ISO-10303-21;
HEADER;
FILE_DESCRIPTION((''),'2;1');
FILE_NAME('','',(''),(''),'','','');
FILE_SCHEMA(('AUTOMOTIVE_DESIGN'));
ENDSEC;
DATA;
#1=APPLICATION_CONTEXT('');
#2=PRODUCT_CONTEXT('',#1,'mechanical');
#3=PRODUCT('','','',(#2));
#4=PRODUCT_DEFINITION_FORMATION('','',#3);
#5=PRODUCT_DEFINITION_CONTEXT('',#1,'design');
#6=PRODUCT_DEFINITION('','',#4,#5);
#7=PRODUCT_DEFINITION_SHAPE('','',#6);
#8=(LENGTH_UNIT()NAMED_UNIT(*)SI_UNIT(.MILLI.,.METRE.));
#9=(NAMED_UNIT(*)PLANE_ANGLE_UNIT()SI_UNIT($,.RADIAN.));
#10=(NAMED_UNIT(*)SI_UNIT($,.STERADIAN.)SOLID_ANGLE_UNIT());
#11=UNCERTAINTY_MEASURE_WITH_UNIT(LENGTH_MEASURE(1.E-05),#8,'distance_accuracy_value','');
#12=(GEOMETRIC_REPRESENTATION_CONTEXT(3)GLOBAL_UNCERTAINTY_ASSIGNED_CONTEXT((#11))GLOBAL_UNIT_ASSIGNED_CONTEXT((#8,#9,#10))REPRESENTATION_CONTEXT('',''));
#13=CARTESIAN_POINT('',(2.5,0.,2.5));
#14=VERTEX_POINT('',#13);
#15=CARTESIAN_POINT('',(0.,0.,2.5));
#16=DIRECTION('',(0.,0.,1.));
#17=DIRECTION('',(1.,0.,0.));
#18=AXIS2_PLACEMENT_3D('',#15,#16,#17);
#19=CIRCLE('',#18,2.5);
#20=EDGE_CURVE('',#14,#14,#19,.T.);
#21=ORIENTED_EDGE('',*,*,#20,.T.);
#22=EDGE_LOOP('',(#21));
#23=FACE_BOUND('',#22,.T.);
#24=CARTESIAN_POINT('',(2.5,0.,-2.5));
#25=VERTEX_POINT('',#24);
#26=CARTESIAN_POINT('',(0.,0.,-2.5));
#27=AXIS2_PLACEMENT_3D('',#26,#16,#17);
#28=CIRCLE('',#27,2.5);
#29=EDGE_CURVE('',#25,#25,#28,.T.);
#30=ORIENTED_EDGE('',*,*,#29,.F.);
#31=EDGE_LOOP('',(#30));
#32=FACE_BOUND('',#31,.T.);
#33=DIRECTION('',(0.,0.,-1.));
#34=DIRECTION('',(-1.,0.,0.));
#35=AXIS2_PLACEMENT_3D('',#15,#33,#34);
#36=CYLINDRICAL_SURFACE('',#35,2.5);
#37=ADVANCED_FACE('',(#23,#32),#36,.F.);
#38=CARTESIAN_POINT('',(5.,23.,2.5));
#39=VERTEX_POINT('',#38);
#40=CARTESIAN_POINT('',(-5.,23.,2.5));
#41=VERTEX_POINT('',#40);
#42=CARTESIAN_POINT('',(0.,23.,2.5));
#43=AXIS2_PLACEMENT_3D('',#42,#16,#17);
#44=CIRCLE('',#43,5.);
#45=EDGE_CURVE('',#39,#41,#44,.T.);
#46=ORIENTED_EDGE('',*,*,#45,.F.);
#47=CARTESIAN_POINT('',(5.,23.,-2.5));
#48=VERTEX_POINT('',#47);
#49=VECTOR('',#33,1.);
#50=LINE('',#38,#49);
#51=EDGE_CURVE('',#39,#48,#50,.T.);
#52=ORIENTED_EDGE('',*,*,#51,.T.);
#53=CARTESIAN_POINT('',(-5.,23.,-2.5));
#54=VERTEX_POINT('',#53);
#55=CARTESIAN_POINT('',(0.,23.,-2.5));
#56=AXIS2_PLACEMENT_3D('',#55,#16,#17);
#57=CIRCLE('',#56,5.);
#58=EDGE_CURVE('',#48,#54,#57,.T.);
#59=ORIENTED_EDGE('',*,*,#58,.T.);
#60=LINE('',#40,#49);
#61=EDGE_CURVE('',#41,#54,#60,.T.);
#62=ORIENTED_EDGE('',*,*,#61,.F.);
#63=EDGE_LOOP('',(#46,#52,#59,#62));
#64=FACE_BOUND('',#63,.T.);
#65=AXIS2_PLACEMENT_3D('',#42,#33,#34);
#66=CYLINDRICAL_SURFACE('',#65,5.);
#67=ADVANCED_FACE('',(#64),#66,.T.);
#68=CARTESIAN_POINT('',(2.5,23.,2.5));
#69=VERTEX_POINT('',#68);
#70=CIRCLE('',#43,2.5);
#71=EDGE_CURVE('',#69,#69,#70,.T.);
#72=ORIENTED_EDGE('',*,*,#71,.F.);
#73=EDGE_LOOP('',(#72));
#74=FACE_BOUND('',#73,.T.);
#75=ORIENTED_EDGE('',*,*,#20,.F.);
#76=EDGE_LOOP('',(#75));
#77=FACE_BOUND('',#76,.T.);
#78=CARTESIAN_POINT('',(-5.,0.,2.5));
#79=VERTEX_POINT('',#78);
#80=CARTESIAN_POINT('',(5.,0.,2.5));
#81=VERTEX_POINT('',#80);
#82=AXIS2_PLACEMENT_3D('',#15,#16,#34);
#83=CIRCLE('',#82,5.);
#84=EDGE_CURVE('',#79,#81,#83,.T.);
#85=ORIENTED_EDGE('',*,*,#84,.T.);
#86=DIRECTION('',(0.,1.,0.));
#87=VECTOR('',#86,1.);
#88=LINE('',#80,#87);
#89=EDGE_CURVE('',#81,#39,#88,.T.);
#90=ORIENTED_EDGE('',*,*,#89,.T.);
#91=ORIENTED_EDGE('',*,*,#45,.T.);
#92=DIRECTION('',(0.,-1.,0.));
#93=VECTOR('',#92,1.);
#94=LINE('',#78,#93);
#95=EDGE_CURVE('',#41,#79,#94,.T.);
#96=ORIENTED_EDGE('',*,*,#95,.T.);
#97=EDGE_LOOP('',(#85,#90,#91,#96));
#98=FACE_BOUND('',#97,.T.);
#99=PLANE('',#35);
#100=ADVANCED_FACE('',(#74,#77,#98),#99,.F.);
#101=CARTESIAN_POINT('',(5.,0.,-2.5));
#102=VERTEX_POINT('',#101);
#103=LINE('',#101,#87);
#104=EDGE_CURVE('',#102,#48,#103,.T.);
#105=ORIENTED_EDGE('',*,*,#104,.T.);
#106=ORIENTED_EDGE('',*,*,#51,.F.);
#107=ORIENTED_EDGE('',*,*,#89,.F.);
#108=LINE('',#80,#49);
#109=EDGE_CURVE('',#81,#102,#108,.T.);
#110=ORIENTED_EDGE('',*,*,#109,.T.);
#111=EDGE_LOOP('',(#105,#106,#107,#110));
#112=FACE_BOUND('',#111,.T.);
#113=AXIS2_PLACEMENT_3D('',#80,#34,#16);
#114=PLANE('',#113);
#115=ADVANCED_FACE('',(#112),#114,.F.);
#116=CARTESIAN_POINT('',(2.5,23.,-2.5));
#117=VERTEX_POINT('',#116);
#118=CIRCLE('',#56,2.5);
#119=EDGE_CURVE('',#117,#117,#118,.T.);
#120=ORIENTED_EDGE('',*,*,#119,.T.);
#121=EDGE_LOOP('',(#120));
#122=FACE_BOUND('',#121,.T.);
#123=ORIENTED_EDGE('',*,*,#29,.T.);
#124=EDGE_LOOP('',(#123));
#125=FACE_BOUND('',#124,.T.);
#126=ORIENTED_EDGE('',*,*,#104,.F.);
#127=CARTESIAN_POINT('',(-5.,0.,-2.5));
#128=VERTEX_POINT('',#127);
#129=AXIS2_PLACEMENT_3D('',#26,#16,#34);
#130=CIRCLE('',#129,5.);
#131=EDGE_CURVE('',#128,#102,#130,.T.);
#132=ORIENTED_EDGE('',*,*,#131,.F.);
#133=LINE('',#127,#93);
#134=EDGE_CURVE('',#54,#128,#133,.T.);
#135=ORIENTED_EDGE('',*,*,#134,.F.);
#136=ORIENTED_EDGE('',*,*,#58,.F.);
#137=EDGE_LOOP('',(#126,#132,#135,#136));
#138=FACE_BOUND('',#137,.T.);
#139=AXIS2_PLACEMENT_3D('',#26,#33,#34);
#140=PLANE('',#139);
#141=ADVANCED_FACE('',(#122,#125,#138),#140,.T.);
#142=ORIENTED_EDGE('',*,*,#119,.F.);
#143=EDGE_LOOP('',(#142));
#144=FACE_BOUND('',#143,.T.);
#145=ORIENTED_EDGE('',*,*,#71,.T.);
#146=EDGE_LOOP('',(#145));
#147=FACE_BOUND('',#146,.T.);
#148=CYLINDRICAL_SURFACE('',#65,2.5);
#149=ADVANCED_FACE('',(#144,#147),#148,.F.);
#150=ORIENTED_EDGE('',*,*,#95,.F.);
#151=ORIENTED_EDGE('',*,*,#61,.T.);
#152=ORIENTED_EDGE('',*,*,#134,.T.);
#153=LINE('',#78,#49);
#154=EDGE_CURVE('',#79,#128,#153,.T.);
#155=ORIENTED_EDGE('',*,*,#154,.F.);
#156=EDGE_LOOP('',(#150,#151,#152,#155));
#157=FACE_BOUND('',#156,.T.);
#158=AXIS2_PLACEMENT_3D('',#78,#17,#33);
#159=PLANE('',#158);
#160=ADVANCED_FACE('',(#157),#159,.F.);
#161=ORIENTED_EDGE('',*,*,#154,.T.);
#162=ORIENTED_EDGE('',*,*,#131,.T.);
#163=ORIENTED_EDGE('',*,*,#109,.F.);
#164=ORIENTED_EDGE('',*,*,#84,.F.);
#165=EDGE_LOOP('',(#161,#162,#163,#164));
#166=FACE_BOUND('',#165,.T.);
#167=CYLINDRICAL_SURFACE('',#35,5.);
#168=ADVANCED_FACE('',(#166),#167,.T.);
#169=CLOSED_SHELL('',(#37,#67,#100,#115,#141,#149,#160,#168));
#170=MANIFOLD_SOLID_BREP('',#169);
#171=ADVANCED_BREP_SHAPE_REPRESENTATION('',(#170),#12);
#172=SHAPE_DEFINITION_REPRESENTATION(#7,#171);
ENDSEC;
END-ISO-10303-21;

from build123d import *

# Parameters (mm, degrees)
SKETCH_1_R      = 2.5
EXTRUDE_1_DEPTH = 2.5


with BuildPart() as part:
    # 草圖1 → 填料-伸長1 (new, symmetric)
    with BuildSketch(Plane.XY):
        with BuildLine():
            Line((5, 0), (5, 23))
            ThreePointArc((5, 23), (0, 28), (-5, 23))
            Line((-5, 23), (-5, 0))
            ThreePointArc((-5, 0), (0, -5), (5, 0))
        make_face()
        Circle(SKETCH_1_R, mode=Mode.SUBTRACT)
        with Locations((0, 23)):
            Circle(SKETCH_1_R, mode=Mode.SUBTRACT)
    extrude(amount=EXTRUDE_1_DEPTH, both=True)


solid = part.part
